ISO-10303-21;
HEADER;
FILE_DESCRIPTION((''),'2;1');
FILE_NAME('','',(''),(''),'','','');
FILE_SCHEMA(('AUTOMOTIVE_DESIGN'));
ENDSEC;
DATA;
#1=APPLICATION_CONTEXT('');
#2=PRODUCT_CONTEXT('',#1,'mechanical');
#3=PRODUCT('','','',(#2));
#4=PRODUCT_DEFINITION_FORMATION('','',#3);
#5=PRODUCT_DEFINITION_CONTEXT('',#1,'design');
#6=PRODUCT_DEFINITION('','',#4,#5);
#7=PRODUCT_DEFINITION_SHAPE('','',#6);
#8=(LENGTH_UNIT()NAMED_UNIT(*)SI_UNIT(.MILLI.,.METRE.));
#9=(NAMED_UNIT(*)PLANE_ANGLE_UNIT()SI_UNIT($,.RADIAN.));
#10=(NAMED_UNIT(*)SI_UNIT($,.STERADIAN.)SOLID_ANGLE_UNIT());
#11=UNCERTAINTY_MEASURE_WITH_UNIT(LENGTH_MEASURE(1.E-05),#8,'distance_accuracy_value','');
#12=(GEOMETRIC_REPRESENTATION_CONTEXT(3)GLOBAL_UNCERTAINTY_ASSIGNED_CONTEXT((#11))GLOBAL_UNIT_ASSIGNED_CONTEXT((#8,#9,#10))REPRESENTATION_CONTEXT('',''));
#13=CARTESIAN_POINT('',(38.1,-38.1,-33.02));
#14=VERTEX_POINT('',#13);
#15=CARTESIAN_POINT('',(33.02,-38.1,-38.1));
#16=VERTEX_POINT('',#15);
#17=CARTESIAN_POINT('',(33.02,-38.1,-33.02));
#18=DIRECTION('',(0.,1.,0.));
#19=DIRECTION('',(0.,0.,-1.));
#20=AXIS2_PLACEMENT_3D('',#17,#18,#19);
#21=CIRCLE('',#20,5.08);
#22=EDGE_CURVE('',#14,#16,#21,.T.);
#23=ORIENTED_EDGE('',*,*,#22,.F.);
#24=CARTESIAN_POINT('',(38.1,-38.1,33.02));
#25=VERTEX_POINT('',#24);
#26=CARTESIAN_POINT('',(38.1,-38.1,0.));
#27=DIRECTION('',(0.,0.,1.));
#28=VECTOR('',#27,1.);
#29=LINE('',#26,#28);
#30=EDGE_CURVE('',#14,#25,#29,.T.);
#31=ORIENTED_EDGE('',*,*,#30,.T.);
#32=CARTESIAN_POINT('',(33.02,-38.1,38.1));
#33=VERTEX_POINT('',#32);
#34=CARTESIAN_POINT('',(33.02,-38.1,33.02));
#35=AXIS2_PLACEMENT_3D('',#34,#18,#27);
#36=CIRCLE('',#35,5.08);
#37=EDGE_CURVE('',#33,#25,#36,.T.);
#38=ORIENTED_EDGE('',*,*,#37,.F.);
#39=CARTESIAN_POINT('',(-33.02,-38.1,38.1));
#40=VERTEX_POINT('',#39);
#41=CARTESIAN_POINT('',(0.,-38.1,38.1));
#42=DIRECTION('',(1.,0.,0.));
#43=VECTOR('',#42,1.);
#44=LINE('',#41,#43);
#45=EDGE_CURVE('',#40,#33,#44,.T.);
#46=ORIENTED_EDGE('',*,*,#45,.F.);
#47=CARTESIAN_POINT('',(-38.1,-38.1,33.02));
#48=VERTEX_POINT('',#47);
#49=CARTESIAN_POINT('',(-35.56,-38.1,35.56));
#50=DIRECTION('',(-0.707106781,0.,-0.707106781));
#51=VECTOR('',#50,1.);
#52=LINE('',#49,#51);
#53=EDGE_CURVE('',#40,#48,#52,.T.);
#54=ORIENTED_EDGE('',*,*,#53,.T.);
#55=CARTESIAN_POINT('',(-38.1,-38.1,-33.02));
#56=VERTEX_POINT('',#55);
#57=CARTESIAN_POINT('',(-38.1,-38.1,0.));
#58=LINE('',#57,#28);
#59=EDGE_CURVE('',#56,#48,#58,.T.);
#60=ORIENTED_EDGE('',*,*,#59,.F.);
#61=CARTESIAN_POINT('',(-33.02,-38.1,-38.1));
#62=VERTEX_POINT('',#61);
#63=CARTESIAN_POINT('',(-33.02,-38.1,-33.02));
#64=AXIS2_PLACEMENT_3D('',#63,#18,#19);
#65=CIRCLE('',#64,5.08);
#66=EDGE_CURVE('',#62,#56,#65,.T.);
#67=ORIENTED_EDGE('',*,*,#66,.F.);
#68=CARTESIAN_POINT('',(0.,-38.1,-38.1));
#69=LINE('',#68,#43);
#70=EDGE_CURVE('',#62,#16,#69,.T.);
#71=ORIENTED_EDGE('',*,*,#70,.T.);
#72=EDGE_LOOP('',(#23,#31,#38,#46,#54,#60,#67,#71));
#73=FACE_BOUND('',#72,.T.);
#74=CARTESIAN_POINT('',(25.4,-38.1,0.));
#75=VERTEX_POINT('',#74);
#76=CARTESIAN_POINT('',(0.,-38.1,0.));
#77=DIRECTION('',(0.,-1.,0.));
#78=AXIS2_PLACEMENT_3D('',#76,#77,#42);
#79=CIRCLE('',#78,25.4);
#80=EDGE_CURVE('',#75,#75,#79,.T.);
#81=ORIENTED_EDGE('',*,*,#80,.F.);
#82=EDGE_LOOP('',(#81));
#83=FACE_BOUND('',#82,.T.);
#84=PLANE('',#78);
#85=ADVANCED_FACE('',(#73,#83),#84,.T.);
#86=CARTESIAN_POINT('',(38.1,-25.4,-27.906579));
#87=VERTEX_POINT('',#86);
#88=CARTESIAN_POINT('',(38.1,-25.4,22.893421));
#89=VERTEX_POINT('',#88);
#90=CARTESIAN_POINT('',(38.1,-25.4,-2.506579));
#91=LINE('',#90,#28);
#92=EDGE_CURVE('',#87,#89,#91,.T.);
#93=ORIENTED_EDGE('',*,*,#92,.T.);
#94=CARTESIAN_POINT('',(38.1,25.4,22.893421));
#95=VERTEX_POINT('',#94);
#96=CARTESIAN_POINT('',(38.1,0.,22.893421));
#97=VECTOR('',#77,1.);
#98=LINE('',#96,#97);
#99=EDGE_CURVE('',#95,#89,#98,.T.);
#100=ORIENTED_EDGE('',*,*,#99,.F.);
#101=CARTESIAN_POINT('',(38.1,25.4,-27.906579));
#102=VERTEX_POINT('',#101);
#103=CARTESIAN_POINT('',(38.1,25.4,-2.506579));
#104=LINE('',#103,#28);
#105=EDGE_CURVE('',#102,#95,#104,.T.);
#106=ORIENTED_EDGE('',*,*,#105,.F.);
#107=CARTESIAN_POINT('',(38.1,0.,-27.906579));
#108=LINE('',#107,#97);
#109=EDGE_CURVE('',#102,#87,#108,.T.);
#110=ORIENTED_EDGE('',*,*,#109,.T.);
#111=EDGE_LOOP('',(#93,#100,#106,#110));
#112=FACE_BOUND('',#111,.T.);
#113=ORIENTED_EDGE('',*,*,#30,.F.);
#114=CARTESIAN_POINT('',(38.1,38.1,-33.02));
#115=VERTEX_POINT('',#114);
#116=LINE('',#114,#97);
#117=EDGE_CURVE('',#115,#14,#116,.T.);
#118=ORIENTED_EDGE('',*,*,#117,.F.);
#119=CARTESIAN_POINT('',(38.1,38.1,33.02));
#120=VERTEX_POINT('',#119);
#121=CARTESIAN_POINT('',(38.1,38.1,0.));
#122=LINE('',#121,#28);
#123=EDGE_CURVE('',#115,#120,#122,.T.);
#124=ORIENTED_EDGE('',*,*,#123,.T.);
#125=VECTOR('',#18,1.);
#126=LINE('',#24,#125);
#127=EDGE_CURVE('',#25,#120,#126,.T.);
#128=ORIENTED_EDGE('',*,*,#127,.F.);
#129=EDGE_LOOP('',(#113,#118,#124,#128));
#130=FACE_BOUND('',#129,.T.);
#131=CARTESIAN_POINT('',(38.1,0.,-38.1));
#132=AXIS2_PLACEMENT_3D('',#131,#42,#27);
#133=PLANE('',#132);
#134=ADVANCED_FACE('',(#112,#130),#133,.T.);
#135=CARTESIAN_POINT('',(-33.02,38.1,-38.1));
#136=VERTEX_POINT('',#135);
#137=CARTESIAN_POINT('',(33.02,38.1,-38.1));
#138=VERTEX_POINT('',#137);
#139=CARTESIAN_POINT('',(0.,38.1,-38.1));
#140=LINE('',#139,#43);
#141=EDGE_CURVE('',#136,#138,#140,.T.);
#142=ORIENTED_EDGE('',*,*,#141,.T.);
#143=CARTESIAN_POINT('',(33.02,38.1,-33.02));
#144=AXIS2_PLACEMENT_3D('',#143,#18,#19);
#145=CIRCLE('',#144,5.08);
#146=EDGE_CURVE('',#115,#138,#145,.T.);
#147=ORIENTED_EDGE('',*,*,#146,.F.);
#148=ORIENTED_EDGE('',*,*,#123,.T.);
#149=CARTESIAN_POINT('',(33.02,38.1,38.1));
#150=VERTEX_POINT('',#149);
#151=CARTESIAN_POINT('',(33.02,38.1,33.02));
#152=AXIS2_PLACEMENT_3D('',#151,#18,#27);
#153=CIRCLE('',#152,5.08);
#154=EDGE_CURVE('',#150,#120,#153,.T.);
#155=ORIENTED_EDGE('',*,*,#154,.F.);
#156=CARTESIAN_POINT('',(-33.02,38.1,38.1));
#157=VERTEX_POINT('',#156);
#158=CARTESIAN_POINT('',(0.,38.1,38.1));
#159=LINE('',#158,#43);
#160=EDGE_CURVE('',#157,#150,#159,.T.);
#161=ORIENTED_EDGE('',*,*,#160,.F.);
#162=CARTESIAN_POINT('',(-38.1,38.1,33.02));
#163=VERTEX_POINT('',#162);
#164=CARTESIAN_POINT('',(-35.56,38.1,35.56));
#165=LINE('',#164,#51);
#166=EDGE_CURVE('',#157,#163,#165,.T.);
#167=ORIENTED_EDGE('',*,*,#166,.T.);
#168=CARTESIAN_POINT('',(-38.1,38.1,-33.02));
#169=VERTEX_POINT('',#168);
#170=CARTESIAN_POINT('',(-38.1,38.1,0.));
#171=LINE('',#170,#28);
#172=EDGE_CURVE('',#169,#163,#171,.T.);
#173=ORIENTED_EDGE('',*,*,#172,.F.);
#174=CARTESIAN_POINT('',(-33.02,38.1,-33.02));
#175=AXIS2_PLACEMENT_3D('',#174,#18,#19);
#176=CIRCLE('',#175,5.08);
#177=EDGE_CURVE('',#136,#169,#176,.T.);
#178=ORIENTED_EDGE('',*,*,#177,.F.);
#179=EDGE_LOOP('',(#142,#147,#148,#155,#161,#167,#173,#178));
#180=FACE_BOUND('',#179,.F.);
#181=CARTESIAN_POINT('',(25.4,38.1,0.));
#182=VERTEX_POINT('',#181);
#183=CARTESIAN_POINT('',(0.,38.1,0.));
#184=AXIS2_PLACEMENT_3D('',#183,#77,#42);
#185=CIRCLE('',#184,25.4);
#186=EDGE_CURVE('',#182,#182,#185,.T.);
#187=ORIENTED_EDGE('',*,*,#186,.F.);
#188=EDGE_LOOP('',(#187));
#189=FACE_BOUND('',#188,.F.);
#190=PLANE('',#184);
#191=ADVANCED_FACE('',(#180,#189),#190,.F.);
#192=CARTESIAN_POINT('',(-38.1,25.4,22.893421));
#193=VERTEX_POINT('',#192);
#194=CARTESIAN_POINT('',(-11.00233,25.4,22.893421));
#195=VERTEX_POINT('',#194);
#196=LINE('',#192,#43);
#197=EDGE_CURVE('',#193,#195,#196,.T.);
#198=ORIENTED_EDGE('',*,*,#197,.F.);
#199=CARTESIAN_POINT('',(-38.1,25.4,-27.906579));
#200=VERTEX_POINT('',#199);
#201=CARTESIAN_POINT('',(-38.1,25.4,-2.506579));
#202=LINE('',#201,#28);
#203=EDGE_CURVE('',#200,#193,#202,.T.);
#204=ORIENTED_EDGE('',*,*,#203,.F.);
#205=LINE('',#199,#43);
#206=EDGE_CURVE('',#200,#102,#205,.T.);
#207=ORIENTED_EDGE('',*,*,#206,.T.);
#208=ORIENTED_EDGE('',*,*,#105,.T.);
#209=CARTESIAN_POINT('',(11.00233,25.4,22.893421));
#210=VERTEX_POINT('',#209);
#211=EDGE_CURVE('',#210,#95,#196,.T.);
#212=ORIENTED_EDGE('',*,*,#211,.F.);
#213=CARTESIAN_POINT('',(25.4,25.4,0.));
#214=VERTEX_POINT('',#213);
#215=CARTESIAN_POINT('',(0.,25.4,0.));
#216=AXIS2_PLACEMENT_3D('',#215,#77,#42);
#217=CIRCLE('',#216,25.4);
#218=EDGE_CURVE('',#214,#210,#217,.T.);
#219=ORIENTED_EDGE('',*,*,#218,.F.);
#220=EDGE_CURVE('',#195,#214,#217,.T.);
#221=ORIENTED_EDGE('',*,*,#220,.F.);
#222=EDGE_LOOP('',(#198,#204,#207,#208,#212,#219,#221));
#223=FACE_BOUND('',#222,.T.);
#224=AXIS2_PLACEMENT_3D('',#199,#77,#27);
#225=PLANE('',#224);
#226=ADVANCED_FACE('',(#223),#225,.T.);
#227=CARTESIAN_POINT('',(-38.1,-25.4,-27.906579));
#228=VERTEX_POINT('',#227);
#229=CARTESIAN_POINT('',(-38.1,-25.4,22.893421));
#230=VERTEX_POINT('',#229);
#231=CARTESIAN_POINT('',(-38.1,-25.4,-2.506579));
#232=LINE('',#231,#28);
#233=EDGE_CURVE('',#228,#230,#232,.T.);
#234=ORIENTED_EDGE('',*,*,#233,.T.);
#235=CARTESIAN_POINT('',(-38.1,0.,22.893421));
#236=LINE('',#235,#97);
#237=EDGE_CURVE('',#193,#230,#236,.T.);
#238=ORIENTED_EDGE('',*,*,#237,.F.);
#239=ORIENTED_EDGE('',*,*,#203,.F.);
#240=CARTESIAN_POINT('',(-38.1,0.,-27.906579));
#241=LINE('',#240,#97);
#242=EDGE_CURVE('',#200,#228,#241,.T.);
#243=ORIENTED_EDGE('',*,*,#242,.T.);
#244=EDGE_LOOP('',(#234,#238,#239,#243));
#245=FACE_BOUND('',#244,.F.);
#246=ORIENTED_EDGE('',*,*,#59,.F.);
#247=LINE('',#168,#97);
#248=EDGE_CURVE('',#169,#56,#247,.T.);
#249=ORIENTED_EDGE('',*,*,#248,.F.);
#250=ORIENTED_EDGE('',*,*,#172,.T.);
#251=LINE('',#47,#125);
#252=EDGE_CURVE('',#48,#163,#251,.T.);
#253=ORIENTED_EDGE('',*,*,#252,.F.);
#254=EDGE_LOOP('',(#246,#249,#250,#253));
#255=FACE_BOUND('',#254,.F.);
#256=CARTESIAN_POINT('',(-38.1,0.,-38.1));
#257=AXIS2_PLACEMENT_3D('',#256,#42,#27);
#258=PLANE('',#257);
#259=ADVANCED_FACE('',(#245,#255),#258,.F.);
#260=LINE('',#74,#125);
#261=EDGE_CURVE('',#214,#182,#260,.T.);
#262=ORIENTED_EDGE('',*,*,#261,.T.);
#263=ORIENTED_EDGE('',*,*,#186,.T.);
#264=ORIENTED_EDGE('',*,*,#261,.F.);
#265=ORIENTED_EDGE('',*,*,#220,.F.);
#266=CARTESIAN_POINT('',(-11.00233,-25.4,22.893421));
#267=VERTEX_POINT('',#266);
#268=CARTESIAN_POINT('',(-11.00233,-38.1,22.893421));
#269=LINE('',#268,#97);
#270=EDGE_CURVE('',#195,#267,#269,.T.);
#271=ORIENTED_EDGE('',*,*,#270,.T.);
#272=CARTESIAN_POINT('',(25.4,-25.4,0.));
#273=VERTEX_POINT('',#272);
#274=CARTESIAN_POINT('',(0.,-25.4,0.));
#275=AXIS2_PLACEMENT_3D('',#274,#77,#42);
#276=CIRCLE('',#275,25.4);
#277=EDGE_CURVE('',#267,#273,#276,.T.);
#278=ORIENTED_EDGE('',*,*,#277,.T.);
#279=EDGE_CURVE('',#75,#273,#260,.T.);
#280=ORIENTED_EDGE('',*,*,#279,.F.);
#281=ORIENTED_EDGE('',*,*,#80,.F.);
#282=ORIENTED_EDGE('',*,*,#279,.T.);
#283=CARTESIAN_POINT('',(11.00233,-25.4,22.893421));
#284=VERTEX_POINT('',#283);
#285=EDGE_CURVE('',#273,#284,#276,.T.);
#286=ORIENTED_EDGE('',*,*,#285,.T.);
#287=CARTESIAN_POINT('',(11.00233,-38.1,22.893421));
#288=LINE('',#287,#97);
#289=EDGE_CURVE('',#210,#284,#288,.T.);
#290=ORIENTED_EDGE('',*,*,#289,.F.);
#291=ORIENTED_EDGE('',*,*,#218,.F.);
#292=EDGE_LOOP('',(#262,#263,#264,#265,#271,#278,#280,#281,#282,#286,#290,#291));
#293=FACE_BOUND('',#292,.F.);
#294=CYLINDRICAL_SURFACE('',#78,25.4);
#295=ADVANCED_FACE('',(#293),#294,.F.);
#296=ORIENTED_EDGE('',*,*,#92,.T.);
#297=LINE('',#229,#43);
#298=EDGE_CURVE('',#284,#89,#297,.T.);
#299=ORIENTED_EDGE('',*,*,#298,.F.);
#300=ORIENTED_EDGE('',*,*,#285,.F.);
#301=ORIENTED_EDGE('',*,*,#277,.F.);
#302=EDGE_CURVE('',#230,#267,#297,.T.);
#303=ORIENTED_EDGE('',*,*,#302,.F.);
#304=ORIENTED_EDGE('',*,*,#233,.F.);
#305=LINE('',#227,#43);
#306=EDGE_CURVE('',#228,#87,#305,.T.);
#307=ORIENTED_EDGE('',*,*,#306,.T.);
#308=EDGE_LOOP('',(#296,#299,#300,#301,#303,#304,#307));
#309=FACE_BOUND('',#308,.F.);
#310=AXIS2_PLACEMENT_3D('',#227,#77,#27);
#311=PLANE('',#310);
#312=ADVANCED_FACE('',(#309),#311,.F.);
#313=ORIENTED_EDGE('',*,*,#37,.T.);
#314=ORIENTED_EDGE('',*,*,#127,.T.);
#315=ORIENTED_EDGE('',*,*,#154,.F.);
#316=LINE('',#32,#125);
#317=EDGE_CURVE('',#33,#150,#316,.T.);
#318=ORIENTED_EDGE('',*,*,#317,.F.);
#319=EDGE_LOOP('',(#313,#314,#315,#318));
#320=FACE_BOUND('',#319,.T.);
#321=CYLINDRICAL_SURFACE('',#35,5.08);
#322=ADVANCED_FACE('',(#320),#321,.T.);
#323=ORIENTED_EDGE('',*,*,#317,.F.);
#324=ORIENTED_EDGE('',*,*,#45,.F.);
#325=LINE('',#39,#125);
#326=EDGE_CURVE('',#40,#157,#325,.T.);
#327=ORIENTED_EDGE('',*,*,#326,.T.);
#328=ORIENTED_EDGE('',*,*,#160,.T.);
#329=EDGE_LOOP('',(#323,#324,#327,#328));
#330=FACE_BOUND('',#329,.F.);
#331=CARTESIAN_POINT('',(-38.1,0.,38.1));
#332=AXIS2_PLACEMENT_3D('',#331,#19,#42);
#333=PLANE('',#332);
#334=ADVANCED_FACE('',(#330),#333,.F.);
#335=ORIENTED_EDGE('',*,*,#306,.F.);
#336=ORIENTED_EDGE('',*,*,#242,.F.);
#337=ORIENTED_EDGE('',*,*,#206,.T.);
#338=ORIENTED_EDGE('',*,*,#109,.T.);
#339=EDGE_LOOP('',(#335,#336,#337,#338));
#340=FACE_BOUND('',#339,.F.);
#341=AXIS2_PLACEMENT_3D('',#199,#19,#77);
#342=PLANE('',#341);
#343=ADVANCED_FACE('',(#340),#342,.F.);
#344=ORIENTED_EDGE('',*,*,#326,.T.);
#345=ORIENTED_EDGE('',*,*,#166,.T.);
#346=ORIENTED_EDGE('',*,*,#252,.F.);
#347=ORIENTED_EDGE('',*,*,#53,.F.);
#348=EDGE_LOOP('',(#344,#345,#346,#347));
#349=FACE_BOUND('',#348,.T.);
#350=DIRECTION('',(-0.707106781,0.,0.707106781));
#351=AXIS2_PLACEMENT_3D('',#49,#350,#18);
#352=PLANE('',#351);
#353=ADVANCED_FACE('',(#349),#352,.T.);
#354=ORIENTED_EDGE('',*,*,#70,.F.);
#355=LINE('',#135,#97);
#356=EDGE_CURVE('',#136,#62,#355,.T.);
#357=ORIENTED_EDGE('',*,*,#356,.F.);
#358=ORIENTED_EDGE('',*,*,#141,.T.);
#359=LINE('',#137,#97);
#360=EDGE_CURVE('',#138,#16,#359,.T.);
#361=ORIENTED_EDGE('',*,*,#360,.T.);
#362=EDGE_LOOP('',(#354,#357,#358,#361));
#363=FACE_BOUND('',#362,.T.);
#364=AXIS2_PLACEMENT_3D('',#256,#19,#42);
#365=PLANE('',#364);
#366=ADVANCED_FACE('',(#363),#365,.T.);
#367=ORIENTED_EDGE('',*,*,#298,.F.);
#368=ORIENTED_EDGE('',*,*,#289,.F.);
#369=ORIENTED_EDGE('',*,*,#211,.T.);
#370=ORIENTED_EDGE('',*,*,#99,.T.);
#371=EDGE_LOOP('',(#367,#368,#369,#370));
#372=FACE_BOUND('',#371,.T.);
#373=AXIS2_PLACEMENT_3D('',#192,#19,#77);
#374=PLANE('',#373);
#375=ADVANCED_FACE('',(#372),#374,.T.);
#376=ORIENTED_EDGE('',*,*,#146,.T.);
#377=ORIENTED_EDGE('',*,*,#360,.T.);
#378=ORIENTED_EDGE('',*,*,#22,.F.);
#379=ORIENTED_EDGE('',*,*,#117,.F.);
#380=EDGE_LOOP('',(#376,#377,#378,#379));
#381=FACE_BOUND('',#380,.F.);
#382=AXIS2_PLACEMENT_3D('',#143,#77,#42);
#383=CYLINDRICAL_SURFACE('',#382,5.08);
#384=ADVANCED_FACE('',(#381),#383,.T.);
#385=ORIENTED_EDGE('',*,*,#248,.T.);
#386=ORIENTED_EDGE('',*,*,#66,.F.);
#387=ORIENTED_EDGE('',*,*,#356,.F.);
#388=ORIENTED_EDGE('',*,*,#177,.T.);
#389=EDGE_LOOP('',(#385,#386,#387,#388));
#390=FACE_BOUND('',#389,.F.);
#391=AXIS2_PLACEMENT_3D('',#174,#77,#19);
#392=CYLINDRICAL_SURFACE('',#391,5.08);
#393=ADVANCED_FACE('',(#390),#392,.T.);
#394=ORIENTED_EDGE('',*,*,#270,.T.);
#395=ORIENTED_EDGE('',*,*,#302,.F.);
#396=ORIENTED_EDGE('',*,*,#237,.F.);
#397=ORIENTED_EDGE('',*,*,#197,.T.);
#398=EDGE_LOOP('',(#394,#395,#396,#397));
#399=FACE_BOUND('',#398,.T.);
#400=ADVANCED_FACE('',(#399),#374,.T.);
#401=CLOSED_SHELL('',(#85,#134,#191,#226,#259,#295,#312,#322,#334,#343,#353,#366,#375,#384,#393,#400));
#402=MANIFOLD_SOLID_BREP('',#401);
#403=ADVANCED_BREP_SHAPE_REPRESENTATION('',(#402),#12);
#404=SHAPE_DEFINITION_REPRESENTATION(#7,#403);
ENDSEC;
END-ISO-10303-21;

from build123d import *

# Parameters (mm, degrees)
F0_W     = 76.2
F0_H     = 76.2
F1_DEPTH = 38.1
F2_R     = 25.4
F3_DEPTH = 76.2
F4_R     = 5.08
F5_SIZE  = 5.08
F6_R     = 5.08
F7_R     = 5.08
F8_W     = 50.8
F8_H     = 50.8
F9_DEPTH = 76.2


with BuildPart() as f1:
    # F0 (on Front) → F1 (new body, symmetric)
    with BuildSketch(Plane.XZ):
        Rectangle(F0_W, F0_H)
    extrude(amount=F1_DEPTH, both=True)

    # F2 (on face) → F3 (cut)
    with BuildSketch(Plane.XZ.offset(38.1)):
        Circle(F2_R)
    extrude(amount=-F3_DEPTH, mode=Mode.SUBTRACT)

    # F4
    f4_edges = [f1.edges().sort_by_distance(p)[0] for p in [
        (38.1, 0, 38.1),
    ]]
    fillet(f4_edges, radius=F4_R)

    # F5
    f5_edges = [f1.edges().sort_by_distance(p)[0] for p in [
        (-38.1, 0, 38.1),
    ]]
    chamfer(f5_edges, length=F5_SIZE)

    # F6
    f6_edges = [f1.edges().sort_by_distance(p)[0] for p in [
        (38.1, 0, -38.1),
    ]]
    fillet(f6_edges, radius=F6_R)

    # F7
    f7_edges = [f1.edges().sort_by_distance(p)[0] for p in [
        (-38.1, 0, -38.1),
    ]]
    fillet(f7_edges, radius=F7_R)

    # F8 (on face) → F9 (cut)
    with BuildSketch(Plane(origin=(-38.1, 0, 0), x_dir=(0, -1, 0), z_dir=(-1, 0, 0))):
        with Locations((0, -2.506579)):
            Rectangle(F8_W, F8_H)
    extrude(amount=-F9_DEPTH, mode=Mode.SUBTRACT)


solid = f1.part
